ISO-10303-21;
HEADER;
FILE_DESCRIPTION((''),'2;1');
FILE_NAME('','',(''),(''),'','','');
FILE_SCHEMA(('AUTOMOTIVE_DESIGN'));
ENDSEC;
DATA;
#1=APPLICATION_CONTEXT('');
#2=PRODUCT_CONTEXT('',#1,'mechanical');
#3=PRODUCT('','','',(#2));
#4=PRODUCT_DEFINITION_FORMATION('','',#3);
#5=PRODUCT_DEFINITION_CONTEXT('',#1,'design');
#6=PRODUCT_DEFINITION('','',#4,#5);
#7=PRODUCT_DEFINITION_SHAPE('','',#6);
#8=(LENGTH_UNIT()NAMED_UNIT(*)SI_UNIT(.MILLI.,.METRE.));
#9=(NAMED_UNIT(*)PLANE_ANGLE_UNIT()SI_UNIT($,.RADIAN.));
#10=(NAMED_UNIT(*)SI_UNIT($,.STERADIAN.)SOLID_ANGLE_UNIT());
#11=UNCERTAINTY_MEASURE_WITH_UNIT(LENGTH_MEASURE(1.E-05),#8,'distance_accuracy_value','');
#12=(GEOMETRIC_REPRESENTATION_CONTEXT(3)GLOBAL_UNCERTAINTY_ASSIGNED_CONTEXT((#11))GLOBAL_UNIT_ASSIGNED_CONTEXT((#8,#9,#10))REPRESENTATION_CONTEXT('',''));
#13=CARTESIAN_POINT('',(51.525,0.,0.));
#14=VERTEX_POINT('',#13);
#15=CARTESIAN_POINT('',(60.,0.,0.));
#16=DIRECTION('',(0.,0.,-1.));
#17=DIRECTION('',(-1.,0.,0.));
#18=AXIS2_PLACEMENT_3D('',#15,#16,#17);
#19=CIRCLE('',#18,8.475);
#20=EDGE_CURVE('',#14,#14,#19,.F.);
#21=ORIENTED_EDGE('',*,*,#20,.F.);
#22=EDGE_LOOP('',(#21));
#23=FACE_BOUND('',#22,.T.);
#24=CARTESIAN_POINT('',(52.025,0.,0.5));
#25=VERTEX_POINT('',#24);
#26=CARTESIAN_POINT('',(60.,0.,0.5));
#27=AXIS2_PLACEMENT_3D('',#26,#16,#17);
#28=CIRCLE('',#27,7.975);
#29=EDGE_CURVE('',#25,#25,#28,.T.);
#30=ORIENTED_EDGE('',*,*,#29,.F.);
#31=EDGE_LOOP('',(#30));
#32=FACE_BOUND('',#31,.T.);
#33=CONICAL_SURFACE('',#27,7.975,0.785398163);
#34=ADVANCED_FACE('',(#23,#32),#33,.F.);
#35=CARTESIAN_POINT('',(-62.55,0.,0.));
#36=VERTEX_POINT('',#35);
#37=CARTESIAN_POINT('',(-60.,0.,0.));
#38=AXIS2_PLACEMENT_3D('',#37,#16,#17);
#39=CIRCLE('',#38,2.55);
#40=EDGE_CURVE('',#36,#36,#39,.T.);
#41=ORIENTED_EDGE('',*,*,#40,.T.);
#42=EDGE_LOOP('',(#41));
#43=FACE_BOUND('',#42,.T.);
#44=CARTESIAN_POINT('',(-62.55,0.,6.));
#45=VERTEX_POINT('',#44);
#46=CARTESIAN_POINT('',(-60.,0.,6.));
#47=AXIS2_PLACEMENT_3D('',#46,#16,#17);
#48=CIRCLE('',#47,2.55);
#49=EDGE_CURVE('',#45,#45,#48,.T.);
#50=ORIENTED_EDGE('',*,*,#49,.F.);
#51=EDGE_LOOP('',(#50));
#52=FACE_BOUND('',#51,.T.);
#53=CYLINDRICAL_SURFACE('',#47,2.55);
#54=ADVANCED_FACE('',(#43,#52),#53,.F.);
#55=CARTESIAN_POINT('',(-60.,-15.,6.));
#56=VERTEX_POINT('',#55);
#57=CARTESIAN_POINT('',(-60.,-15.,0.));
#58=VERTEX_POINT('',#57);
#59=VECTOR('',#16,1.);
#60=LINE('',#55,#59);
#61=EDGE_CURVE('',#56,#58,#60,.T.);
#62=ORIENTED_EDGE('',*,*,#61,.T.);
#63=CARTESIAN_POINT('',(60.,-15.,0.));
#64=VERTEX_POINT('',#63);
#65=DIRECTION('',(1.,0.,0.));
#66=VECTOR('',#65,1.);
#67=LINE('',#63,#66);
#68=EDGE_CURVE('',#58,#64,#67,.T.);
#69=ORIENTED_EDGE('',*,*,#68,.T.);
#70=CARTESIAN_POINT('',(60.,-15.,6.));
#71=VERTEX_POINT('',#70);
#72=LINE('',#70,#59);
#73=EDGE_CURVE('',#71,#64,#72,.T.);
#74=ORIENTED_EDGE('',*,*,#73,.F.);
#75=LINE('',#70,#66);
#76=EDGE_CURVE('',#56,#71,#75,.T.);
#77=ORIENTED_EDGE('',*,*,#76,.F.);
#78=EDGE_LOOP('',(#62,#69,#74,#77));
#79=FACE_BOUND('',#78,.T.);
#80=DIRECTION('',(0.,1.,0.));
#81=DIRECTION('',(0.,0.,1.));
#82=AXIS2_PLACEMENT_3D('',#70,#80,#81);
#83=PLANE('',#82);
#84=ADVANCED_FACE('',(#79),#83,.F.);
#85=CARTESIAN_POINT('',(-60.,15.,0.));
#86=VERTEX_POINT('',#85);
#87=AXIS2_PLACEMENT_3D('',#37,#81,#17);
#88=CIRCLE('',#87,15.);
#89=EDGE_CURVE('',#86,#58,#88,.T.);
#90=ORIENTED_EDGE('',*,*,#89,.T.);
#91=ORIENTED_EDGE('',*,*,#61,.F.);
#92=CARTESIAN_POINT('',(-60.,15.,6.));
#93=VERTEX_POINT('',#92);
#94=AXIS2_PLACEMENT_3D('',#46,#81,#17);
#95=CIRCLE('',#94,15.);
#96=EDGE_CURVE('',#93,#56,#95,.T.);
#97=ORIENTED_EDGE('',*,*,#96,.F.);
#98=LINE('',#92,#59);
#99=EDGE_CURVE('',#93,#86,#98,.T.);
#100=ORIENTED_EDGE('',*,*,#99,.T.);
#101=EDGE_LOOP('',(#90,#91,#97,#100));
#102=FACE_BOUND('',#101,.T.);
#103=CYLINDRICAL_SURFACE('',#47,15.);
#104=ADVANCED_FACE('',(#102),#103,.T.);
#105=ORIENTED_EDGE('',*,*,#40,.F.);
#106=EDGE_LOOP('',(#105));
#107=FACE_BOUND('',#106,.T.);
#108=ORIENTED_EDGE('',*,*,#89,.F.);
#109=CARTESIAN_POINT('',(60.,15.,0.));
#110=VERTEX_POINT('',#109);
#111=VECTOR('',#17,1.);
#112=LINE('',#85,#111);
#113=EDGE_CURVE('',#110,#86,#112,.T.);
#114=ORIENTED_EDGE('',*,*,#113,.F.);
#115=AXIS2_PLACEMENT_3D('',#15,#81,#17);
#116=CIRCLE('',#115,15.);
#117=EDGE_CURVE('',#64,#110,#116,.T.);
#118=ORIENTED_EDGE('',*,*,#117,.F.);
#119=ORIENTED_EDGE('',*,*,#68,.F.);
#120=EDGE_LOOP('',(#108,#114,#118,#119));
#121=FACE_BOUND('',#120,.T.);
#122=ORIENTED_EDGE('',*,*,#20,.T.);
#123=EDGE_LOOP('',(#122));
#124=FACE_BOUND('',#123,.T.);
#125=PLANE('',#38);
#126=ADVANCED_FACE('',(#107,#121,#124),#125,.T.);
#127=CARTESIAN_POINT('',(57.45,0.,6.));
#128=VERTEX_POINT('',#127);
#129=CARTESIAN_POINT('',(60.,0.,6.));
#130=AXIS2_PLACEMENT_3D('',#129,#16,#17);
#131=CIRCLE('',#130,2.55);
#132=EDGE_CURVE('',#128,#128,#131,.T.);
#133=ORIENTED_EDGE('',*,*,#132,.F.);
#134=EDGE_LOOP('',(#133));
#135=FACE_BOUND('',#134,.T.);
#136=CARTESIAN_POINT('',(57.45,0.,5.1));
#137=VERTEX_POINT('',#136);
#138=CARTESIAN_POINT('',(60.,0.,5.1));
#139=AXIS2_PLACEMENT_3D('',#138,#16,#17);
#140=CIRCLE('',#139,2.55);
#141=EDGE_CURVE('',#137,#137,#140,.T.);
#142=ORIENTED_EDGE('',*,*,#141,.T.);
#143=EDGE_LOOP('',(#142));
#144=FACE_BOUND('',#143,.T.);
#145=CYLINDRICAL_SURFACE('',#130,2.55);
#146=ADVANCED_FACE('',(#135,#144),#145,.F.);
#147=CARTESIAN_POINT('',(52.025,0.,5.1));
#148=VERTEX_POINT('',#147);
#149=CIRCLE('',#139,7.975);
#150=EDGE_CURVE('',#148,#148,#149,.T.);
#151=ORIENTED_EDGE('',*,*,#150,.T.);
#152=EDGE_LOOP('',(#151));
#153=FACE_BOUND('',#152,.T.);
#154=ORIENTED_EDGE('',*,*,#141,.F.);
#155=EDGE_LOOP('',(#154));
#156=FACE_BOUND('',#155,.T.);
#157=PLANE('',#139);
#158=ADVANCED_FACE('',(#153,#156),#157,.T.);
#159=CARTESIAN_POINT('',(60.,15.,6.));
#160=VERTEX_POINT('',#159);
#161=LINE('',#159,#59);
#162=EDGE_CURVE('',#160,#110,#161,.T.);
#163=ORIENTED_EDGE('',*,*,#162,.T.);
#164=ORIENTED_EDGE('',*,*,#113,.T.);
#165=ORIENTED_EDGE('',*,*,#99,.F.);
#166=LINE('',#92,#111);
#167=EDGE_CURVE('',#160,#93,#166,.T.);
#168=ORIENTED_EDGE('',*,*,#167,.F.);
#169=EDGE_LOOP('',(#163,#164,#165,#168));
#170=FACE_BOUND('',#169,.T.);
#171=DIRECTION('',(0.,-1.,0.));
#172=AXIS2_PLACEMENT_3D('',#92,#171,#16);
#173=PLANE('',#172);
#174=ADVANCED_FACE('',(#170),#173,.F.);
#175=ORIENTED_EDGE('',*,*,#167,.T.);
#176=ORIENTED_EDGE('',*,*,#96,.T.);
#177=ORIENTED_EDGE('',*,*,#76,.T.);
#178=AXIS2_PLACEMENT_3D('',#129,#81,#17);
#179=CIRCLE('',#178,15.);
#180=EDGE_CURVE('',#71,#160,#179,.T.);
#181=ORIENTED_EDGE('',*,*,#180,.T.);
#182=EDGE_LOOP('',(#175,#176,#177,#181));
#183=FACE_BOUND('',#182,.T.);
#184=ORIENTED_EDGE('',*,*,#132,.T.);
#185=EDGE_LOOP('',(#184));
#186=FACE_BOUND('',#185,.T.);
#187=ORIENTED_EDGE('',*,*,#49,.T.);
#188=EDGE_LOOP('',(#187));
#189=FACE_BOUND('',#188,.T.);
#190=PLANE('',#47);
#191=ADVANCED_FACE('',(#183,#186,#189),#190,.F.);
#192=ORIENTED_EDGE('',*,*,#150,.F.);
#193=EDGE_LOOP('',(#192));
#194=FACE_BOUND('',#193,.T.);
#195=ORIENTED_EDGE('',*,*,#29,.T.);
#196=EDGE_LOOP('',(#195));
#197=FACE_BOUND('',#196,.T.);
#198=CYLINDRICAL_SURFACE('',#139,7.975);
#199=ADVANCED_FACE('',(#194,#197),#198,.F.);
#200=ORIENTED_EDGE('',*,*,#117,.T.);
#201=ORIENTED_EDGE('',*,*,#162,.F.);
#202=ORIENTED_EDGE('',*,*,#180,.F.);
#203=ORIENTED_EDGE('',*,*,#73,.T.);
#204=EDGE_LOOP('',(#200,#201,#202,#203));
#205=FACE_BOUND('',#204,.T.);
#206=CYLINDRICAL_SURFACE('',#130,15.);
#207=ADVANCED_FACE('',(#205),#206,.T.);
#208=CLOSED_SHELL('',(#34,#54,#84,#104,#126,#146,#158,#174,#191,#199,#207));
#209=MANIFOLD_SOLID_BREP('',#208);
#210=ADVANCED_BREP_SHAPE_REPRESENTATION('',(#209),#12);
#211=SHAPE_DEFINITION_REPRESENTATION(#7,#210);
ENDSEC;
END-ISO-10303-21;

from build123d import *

# Parameters (mm, degrees)
BOSS_EXTRUDE1_DEPTH = 6
SKETCH9_R           = 7.975
CUT_EXTRUDE5_DEPTH  = 5.1
SKETCH10_R          = 2.55
CUT_EXTRUDE6_DEPTH  = 1.9
SKETCH11_R          = 2.55
CUT_EXTRUDE7_DEPTH  = 7
CHAMFER1_SIZE       = 0.5


with BuildPart() as part:
    # Sketch4 → Boss-Extrude1 (new body)
    with BuildSketch(Plane.XY):
        with BuildLine():
            Line((-60, 15), (60, 15))
            ThreePointArc((60, 15), (75, 0), (60, -15))
            Line((60, -15), (-60, -15))
            ThreePointArc((-60, -15), (-75, 0), (-60, 15))
        make_face()
    extrude(amount=BOSS_EXTRUDE1_DEPTH)

    # Sketch9 → Cut-Extrude5 (cut)
    with BuildSketch(Plane(origin=(0, 0, 0), x_dir=(-1, 0, 0), z_dir=(0, 0, -1))):
        with Locations((-60, 0)):
            Circle(SKETCH9_R)
    extrude(amount=-CUT_EXTRUDE5_DEPTH, mode=Mode.SUBTRACT)

    # Sketch10 → Cut-Extrude6 (cut, through all)
    with BuildSketch(Plane(origin=(0, 0, 5.1), x_dir=(-1, 0, 0), z_dir=(0, 0, -1))):
        with Locations((-60, 0)):
            Circle(SKETCH10_R)
    extrude(amount=-CUT_EXTRUDE6_DEPTH, mode=Mode.SUBTRACT)

    # Sketch11 → Cut-Extrude7 (cut, through all)
    with BuildSketch(Plane(origin=(0, 0, 0), x_dir=(-1, 0, 0), z_dir=(0, 0, -1))):
        with Locations((60, 0)):
            Circle(SKETCH11_R)
    extrude(amount=-CUT_EXTRUDE7_DEPTH, mode=Mode.SUBTRACT)

    # Chamfer1
    chamfer1_edges = [part.edges().sort_by_distance(p)[0] for p in [
        (67.975, 0, 0),
    ]]
    chamfer(chamfer1_edges, length=CHAMFER1_SIZE)


solid = part.part
